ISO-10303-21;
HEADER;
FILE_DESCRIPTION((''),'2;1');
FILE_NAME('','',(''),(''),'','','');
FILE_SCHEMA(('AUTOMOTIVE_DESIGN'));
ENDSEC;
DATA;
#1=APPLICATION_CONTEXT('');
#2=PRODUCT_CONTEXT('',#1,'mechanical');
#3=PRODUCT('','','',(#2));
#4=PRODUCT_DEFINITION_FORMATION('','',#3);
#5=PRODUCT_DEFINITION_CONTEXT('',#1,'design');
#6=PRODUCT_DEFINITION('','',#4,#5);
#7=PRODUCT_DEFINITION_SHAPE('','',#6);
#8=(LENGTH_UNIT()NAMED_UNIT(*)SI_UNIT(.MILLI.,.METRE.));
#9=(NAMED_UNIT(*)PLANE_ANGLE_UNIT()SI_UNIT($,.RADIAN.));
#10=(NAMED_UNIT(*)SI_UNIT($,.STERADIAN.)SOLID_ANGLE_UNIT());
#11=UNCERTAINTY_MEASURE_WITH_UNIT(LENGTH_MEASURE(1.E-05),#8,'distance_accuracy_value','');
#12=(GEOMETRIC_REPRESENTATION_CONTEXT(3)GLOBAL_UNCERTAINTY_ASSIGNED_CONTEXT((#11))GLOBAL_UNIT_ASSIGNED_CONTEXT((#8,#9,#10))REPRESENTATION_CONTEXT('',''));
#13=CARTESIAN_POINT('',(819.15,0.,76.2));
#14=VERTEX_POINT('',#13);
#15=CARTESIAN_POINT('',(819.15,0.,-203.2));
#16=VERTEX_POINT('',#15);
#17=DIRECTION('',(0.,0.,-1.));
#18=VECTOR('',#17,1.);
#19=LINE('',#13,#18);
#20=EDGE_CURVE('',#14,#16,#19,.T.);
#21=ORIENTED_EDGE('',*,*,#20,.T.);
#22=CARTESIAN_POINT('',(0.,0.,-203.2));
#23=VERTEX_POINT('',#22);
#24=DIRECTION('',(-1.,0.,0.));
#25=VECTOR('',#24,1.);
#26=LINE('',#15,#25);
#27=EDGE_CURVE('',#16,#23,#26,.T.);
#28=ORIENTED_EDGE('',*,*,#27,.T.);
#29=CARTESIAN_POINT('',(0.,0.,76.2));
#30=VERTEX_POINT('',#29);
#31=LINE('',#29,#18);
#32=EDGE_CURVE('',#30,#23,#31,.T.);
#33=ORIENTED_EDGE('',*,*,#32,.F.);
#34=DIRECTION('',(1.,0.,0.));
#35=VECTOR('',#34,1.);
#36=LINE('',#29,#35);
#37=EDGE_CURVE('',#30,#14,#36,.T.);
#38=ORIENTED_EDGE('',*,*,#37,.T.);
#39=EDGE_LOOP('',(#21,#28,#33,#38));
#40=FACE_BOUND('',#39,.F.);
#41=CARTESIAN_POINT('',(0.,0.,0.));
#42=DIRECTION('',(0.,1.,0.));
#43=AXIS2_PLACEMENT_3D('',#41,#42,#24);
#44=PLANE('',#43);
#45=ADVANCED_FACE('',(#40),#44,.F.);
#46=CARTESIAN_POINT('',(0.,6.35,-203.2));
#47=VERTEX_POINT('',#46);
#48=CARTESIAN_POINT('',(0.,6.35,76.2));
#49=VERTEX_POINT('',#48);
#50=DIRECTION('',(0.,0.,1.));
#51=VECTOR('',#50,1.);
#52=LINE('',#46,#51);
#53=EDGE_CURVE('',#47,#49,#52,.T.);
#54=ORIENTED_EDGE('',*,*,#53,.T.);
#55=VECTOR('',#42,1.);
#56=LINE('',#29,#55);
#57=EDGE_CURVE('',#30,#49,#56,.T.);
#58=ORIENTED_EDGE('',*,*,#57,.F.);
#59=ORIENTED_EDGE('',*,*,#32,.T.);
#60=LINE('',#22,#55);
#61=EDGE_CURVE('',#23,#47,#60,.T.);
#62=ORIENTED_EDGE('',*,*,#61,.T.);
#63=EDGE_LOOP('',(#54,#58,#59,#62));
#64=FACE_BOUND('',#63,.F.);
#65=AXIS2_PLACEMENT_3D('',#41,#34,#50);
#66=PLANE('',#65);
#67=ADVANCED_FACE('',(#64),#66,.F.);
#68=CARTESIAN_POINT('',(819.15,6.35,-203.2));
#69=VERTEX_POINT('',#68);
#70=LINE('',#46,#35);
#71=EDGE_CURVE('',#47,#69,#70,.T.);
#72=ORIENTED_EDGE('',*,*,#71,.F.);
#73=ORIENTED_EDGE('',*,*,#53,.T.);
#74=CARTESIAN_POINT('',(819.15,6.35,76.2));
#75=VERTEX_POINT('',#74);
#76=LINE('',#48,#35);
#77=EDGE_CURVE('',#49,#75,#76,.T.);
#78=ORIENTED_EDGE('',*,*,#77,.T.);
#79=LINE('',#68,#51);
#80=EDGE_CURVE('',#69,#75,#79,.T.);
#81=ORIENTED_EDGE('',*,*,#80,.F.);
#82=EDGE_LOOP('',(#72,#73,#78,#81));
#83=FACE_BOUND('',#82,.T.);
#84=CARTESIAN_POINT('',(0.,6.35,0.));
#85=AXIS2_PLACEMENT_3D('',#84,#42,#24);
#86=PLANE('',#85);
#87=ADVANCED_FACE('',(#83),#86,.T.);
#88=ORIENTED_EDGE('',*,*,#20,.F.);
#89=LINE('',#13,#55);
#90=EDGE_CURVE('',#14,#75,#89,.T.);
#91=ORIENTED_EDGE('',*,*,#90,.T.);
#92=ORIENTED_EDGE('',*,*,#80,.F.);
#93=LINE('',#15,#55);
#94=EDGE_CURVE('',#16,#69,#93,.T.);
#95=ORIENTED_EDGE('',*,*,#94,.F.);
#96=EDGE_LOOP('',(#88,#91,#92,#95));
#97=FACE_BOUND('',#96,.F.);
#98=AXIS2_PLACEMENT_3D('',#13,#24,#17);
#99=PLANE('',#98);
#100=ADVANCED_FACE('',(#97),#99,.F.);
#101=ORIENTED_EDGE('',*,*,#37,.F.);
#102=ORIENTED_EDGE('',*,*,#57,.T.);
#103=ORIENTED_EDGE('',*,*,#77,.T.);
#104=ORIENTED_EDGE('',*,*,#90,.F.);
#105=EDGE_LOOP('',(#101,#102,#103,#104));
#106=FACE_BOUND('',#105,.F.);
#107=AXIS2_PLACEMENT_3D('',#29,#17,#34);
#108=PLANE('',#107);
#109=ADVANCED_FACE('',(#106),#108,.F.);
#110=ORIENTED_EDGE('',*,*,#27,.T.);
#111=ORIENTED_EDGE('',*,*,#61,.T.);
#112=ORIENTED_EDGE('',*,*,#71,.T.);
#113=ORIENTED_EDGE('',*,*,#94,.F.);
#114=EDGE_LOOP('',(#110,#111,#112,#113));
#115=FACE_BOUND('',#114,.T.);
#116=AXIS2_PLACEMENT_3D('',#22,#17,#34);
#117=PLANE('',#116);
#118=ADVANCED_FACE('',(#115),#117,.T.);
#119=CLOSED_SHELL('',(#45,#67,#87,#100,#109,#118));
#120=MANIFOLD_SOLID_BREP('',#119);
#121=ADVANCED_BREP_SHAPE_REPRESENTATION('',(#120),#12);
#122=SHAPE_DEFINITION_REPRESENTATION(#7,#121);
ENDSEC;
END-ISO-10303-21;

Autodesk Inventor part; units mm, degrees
ref_plane "YZ Plane" through (0, 0, 0) normal (1, 0, 0) x (0, 1, 0)
ref_plane "XZ Plane" through (0, 0, 0) normal (0, 1, 0) x (-1, 0, 0)
ref_plane "XY Plane" through (0, 0, 0) normal (0, 0, 1) x (1, 0, 0)
sketch "Sketch1" plane through (0, 0, 0) normal (0, 1, 0) x (-1, 0, 0)
  line L0 (0, 0) -> (0, -203.2)
  line L1 (0, -203.2) -> (-812.8, -203.2)
  line L2 (-812.8, -203.2) -> (-812.8, 0)
  line L3 (-812.8, 0) -> (0, 0)
  dimension "d0" = 203.2
  dimension "d1" = 812.8
extrude "Extrusion1" add sketch "Sketch1" along normal blind 6.35
sketch "Sketch2" plane through (0, 0, 0) normal (0, 1, 0) x (-1, 0, 0)
  line L0 (-812.8, 0) -> (-812.8, -203.2) projected
  line L1 (-812.8, 0) -> (-819.15, 0)
  line L2 (-819.15, 0) -> (-819.15, -203.2)
  line L3 (-819.15, -203.2) -> (-812.8, -203.2)
  line L4 (-812.8, -203.2) -> (-812.8, 0)
  point P0 (0, 0)
  dimension "d4" = 6.35
extrude "Extrusion2" add sketch "Sketch2" along normal blind 6.35
sketch "Sketch3" plane through (0, 0, 0) normal (0, 1, 0) x (-1, 0, 0)
  line L0 (0, 0) -> (0, 76.2)
  line L1 (0, 76.2) -> (-819.15, 76.2)
  line L2 (-819.15, 76.2) -> (-819.15, 0)
  line L3 (0, -203.2) -> (0, 0) projected
  line L4 (-819.15, 0) -> (0, 0)
  dimension "d7" = 76.2
  dimension "d8" = 819.15
extrude "Extrusion3" add sketch "Sketch3" along normal blind 6.35
sketch "Sketch4" plane through (0, 0, 0) normal (0, 1, 0) x (-1, 0, 0)
  point P0 (0, 0)
properties part number "top_top_plywood_Ocampo"
